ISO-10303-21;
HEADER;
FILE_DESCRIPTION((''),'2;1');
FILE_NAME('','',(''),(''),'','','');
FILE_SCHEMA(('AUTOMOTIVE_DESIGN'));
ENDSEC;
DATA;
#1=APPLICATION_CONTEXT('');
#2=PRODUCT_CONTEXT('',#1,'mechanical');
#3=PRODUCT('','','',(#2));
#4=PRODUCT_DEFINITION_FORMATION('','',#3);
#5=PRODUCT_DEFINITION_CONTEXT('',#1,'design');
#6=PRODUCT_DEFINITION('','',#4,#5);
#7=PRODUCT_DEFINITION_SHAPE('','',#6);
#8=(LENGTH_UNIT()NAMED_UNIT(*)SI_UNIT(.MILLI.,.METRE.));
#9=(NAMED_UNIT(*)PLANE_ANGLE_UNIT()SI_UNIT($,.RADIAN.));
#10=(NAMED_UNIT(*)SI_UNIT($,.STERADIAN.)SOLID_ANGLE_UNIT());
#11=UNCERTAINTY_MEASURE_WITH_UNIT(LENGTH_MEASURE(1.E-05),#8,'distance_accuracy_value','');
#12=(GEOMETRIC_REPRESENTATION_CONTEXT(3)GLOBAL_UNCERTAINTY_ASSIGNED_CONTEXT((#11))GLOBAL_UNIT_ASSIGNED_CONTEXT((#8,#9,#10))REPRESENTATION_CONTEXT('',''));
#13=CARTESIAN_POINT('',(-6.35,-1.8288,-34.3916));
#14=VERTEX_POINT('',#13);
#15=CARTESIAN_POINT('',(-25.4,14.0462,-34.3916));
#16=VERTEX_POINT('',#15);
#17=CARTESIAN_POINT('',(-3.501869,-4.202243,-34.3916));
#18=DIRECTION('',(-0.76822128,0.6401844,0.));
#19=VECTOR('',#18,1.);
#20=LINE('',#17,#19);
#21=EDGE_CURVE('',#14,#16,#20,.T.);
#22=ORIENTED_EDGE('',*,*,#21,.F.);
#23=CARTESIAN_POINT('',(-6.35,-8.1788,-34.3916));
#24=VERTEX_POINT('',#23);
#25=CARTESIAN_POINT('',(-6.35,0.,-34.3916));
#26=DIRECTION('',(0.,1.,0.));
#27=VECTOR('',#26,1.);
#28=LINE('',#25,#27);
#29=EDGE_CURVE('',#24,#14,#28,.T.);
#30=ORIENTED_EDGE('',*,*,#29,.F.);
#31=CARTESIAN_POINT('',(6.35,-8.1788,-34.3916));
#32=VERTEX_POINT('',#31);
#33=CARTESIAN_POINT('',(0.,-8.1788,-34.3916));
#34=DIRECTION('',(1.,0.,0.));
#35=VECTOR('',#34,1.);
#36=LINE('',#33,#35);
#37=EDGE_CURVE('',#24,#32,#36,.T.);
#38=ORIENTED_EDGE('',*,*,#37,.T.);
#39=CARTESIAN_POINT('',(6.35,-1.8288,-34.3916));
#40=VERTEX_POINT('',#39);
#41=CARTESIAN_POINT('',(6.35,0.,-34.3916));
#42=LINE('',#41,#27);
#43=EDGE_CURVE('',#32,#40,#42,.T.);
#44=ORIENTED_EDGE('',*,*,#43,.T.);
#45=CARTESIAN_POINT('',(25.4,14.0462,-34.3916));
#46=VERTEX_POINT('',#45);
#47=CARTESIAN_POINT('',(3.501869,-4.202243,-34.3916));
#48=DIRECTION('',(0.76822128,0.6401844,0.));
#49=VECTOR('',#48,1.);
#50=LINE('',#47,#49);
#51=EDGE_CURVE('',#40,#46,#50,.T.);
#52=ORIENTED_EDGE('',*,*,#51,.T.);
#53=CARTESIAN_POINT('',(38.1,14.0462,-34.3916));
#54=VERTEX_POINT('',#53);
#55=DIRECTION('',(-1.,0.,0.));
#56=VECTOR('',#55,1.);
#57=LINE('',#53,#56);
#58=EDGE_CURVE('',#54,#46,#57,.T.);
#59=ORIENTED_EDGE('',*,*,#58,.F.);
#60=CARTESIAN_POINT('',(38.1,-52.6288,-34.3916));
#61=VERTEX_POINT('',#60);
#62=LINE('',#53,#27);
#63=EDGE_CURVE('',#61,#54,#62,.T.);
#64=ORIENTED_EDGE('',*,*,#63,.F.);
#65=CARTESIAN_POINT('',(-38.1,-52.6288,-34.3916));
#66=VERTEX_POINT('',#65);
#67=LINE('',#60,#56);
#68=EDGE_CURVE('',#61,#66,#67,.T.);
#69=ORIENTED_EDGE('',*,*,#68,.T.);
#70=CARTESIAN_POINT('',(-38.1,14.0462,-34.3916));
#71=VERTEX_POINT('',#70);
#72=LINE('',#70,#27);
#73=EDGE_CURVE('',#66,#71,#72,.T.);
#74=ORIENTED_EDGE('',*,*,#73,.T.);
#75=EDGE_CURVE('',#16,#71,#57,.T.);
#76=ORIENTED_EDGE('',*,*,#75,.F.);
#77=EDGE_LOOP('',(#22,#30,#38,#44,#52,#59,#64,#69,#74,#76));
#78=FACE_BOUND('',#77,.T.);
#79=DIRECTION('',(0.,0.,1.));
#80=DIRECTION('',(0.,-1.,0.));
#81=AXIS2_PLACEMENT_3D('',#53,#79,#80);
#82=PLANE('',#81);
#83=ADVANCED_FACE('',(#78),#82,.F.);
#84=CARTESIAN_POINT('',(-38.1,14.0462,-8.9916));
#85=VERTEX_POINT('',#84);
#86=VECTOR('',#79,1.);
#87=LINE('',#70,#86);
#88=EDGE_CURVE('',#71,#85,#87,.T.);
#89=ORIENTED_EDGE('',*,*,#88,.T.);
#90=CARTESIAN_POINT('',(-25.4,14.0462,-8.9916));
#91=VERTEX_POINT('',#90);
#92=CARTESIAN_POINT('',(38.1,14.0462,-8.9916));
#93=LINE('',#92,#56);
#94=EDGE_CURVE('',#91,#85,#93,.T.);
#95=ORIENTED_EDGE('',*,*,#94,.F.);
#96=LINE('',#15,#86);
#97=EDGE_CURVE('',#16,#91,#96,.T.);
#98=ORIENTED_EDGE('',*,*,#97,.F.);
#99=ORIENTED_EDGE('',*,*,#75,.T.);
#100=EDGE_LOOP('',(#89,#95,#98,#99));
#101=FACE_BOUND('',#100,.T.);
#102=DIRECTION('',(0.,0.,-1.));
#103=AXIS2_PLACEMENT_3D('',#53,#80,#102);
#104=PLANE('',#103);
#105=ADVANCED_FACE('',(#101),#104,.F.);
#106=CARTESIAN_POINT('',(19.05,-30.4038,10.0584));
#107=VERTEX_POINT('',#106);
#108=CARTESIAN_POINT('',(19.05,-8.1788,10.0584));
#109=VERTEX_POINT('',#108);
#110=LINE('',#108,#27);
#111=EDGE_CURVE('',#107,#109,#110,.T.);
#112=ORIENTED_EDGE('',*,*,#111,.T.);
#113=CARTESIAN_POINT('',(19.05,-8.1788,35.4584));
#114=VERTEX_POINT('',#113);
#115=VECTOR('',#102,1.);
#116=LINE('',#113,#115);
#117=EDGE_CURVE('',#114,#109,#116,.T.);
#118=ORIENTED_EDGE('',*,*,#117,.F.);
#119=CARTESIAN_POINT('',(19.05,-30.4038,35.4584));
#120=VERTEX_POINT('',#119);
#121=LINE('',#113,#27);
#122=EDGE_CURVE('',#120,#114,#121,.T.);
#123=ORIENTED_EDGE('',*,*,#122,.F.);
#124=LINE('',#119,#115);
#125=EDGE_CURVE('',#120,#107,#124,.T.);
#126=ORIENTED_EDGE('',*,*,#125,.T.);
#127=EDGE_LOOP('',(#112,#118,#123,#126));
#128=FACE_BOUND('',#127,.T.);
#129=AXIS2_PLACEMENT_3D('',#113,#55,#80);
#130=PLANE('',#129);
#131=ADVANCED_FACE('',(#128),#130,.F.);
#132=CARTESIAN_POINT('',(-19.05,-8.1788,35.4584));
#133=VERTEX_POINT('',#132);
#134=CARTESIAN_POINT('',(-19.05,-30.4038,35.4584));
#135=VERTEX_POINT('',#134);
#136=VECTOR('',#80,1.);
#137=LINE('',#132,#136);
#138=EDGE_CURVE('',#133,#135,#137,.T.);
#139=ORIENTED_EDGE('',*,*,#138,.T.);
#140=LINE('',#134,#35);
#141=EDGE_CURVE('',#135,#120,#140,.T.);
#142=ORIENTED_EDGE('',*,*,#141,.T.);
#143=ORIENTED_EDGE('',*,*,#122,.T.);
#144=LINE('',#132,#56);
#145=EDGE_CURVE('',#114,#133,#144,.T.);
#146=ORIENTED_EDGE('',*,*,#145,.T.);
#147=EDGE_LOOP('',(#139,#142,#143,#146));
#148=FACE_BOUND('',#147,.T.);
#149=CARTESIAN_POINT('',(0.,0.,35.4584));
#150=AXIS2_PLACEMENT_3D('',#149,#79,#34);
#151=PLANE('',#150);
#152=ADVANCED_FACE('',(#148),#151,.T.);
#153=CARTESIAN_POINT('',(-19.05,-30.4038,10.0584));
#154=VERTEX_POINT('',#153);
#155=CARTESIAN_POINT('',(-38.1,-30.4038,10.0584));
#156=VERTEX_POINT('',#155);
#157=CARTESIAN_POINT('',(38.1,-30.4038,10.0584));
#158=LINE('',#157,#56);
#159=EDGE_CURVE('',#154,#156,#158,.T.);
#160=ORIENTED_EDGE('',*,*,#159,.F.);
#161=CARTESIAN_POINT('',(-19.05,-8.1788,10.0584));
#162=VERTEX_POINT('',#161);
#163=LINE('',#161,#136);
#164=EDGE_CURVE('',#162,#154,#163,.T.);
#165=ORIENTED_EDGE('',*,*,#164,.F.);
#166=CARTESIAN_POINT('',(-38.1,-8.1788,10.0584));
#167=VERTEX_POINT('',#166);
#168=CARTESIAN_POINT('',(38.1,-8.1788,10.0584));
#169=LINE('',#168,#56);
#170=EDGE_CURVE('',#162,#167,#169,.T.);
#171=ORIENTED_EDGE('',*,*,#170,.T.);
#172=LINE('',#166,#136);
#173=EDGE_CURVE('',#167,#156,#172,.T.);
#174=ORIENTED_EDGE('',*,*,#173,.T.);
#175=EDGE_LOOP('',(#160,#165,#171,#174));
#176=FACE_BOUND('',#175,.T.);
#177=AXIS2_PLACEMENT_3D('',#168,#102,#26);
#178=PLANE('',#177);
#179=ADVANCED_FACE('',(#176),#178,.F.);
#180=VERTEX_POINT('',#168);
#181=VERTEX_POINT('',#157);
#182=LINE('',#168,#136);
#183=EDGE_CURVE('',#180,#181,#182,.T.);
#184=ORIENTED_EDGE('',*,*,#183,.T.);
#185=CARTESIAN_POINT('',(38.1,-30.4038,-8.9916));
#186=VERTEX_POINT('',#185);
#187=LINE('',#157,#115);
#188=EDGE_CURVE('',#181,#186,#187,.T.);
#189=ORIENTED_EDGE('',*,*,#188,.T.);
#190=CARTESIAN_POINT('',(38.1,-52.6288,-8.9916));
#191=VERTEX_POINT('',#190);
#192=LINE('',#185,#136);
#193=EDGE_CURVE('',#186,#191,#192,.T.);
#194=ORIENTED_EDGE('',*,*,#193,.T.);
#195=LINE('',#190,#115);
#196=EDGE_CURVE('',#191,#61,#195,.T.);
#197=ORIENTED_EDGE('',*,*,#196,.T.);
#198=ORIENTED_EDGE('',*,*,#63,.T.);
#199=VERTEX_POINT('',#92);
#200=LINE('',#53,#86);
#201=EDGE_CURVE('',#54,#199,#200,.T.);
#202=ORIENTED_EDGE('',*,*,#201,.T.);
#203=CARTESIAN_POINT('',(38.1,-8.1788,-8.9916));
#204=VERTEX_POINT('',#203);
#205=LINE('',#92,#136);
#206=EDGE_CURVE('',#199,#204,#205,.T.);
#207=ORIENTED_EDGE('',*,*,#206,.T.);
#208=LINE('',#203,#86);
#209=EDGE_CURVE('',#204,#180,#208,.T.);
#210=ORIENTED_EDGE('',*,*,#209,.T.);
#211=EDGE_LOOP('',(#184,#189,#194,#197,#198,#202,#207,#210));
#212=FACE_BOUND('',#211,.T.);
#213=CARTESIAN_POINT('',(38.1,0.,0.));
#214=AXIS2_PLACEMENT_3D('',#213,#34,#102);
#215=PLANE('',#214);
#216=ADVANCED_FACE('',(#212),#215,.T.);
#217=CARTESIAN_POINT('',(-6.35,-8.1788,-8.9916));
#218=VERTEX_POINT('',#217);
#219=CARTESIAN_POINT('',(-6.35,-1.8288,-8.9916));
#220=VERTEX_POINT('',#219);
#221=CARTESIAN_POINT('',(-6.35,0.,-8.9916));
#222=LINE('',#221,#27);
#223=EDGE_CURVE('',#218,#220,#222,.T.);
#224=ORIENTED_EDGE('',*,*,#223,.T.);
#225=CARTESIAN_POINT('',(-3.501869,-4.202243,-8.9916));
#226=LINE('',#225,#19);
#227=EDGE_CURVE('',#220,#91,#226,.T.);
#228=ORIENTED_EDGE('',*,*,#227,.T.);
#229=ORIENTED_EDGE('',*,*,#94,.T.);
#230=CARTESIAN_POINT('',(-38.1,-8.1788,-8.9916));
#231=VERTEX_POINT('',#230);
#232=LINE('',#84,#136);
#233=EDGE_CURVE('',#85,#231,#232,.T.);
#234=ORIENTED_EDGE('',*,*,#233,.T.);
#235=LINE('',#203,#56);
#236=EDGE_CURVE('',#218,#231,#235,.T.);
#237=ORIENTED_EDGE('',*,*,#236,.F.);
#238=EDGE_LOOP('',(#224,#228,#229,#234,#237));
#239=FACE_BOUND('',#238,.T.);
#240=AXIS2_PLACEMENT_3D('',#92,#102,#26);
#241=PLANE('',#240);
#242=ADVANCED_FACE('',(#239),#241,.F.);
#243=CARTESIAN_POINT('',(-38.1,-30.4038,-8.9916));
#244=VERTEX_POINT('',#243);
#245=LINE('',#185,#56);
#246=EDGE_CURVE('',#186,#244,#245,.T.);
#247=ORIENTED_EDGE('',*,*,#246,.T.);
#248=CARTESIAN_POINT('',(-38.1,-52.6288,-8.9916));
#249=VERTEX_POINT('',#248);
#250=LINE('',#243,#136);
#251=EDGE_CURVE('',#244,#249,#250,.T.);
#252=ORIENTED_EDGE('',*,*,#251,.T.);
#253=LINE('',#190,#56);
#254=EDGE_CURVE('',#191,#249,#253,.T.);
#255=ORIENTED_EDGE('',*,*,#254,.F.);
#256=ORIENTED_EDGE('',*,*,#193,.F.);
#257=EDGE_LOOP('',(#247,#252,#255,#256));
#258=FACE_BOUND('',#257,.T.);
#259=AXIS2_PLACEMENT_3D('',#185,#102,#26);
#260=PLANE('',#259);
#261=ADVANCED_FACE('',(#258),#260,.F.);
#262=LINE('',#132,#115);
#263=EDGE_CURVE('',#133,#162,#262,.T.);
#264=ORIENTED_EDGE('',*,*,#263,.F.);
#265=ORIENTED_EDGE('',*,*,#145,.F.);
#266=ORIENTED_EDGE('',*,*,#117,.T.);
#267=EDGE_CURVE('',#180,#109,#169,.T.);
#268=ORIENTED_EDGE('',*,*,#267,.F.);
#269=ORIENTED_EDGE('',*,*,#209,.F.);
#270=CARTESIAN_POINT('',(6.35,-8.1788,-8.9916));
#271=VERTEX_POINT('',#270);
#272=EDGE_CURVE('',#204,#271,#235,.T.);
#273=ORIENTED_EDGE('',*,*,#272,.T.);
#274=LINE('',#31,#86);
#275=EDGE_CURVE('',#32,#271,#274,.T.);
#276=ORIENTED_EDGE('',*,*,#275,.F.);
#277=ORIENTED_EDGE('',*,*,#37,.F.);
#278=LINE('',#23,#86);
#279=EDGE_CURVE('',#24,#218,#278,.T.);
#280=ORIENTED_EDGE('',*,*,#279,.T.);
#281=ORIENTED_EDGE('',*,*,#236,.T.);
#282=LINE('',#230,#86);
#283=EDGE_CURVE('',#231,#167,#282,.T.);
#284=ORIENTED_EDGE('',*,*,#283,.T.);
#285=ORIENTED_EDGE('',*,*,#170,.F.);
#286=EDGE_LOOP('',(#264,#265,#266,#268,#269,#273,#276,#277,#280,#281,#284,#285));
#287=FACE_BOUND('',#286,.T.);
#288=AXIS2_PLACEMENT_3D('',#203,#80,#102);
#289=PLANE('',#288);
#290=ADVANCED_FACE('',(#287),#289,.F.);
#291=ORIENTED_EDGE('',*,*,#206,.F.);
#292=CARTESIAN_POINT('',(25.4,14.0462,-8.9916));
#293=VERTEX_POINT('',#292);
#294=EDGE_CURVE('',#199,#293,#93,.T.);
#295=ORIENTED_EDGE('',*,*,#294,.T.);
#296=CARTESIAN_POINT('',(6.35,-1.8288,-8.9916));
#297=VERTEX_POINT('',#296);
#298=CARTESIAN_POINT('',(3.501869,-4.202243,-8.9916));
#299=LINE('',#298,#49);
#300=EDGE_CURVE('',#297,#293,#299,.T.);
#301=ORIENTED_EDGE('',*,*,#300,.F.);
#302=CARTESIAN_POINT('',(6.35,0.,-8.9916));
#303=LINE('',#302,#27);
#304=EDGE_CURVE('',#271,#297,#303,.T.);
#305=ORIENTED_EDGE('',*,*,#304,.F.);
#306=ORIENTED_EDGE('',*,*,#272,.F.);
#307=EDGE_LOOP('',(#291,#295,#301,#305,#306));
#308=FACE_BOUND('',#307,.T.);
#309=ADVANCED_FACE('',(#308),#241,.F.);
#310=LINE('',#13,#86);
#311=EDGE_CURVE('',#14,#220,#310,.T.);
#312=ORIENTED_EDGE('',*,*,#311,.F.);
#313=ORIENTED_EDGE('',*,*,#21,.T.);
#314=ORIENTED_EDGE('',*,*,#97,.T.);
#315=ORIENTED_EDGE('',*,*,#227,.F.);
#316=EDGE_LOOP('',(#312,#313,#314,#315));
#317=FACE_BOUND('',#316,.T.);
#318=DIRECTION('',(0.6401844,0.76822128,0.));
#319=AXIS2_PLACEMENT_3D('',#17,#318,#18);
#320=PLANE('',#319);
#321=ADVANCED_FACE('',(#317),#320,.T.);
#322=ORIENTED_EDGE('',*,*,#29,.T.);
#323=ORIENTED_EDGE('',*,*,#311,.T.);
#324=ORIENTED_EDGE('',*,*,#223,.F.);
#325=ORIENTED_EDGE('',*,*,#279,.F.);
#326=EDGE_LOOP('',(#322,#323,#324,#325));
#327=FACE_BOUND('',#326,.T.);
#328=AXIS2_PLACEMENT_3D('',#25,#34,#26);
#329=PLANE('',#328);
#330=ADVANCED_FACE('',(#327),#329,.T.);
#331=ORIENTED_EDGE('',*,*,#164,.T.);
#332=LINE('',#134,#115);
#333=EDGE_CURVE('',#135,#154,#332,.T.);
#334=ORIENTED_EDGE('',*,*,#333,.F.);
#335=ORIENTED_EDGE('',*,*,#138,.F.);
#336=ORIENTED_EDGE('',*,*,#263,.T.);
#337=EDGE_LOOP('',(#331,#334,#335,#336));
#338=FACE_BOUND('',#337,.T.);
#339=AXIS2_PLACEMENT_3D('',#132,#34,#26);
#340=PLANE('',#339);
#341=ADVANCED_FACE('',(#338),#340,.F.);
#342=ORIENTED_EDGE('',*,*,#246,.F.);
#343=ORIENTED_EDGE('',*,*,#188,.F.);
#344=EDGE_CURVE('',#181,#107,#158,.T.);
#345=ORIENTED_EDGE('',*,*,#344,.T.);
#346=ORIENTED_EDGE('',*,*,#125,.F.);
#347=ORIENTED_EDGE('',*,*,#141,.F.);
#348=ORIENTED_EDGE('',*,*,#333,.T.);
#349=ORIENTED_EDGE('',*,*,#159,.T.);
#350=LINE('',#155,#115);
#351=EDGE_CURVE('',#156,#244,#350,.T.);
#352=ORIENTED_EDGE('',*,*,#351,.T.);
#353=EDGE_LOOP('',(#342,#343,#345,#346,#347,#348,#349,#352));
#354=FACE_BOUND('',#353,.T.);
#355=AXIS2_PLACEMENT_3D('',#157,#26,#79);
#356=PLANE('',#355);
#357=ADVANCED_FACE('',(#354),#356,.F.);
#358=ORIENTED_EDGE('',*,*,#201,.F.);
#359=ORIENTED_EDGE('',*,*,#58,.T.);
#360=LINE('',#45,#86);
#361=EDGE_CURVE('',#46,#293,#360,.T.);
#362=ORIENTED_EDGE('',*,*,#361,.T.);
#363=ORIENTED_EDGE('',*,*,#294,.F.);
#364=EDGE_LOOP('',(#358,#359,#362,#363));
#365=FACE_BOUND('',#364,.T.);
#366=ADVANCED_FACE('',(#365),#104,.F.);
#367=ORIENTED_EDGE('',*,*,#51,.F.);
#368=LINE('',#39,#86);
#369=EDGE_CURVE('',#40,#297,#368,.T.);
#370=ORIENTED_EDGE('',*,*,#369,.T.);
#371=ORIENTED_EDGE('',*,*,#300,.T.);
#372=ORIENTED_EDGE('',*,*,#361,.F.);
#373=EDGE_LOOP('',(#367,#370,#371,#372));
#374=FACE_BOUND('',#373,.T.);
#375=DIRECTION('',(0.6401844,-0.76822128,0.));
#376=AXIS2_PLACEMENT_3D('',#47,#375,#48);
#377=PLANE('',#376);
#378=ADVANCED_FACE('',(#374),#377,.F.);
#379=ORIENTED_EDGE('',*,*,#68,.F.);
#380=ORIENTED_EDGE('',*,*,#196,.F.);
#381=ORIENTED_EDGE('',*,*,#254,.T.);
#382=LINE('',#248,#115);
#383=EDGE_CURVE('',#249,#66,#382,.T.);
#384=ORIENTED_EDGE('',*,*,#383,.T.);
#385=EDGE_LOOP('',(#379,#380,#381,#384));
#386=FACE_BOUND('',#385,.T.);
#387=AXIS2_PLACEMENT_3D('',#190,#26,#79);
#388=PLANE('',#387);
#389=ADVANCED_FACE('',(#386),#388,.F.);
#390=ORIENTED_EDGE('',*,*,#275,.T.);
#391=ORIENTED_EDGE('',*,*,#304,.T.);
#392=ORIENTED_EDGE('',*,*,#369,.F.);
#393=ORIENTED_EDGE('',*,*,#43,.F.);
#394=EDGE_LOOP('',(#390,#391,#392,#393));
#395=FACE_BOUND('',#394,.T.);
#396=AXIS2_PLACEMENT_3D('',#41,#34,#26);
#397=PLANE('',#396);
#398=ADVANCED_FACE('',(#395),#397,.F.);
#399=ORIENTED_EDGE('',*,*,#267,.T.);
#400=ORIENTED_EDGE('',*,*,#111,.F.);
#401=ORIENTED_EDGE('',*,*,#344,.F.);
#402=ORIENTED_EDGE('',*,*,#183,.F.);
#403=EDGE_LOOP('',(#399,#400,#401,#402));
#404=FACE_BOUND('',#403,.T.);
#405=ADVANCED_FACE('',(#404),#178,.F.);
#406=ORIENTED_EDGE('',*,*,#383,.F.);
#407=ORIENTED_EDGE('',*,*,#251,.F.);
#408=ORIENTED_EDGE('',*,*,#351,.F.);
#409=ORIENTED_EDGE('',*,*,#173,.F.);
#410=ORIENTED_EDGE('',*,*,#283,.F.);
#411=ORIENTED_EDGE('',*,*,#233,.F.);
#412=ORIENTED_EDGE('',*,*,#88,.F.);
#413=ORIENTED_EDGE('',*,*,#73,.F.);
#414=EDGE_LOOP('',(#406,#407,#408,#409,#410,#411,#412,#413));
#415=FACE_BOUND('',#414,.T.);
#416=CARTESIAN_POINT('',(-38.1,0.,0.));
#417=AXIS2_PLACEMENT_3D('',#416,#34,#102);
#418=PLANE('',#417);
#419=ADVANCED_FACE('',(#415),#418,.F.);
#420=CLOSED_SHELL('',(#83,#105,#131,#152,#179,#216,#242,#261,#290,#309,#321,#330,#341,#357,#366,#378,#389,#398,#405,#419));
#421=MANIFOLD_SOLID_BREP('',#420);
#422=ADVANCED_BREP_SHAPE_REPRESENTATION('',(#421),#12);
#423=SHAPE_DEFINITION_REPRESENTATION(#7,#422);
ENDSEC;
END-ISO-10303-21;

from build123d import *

# Parameters (mm, degrees)
BOSS_EXTRUDE1_DEPTH = 38.1
SKETCH2_W           = 38.1
SKETCH2_H           = 22.225
BOSS_EXTRUDE2_DEPTH = 25.4
CUT_EXTRUDE1_DEPTH  = 25.4


with BuildPart() as part:
    # Sketch1 → Boss-Extrude1 (new body, symmetric)
    with BuildSketch(Plane(origin=(0, 0, 0), x_dir=(0, 0, -1), z_dir=(1, 0, 0))):
        Polygon((-10.0584, -30.4038), (8.9916, -30.4038), (8.9916, -52.6288), (34.3916, -52.6288), (34.3916, 14.0462), (8.9916, 14.0462), (8.9916, -8.1788), (-10.0584, -8.1788), align=None)
    extrude(amount=BOSS_EXTRUDE1_DEPTH, both=True)

    # Sketch2 → Boss-Extrude2 (add)
    with BuildSketch(Plane.XY.offset(10.0584)):
        with Locations((0, -19.2913)):
            Rectangle(SKETCH2_W, SKETCH2_H)
    extrude(amount=BOSS_EXTRUDE2_DEPTH)

    # Sketch3 → Cut-Extrude1 (cut)
    with BuildSketch(Plane.XY.offset(-8.9916)):
        Polygon((6.35, -1.8288), (25.4, 14.0462), (-25.4, 14.0462), (-6.35, -1.8288), (-6.35, -8.1788), (6.35, -8.1788), align=None)
    extrude(amount=-CUT_EXTRUDE1_DEPTH, mode=Mode.SUBTRACT)


solid = part.part
